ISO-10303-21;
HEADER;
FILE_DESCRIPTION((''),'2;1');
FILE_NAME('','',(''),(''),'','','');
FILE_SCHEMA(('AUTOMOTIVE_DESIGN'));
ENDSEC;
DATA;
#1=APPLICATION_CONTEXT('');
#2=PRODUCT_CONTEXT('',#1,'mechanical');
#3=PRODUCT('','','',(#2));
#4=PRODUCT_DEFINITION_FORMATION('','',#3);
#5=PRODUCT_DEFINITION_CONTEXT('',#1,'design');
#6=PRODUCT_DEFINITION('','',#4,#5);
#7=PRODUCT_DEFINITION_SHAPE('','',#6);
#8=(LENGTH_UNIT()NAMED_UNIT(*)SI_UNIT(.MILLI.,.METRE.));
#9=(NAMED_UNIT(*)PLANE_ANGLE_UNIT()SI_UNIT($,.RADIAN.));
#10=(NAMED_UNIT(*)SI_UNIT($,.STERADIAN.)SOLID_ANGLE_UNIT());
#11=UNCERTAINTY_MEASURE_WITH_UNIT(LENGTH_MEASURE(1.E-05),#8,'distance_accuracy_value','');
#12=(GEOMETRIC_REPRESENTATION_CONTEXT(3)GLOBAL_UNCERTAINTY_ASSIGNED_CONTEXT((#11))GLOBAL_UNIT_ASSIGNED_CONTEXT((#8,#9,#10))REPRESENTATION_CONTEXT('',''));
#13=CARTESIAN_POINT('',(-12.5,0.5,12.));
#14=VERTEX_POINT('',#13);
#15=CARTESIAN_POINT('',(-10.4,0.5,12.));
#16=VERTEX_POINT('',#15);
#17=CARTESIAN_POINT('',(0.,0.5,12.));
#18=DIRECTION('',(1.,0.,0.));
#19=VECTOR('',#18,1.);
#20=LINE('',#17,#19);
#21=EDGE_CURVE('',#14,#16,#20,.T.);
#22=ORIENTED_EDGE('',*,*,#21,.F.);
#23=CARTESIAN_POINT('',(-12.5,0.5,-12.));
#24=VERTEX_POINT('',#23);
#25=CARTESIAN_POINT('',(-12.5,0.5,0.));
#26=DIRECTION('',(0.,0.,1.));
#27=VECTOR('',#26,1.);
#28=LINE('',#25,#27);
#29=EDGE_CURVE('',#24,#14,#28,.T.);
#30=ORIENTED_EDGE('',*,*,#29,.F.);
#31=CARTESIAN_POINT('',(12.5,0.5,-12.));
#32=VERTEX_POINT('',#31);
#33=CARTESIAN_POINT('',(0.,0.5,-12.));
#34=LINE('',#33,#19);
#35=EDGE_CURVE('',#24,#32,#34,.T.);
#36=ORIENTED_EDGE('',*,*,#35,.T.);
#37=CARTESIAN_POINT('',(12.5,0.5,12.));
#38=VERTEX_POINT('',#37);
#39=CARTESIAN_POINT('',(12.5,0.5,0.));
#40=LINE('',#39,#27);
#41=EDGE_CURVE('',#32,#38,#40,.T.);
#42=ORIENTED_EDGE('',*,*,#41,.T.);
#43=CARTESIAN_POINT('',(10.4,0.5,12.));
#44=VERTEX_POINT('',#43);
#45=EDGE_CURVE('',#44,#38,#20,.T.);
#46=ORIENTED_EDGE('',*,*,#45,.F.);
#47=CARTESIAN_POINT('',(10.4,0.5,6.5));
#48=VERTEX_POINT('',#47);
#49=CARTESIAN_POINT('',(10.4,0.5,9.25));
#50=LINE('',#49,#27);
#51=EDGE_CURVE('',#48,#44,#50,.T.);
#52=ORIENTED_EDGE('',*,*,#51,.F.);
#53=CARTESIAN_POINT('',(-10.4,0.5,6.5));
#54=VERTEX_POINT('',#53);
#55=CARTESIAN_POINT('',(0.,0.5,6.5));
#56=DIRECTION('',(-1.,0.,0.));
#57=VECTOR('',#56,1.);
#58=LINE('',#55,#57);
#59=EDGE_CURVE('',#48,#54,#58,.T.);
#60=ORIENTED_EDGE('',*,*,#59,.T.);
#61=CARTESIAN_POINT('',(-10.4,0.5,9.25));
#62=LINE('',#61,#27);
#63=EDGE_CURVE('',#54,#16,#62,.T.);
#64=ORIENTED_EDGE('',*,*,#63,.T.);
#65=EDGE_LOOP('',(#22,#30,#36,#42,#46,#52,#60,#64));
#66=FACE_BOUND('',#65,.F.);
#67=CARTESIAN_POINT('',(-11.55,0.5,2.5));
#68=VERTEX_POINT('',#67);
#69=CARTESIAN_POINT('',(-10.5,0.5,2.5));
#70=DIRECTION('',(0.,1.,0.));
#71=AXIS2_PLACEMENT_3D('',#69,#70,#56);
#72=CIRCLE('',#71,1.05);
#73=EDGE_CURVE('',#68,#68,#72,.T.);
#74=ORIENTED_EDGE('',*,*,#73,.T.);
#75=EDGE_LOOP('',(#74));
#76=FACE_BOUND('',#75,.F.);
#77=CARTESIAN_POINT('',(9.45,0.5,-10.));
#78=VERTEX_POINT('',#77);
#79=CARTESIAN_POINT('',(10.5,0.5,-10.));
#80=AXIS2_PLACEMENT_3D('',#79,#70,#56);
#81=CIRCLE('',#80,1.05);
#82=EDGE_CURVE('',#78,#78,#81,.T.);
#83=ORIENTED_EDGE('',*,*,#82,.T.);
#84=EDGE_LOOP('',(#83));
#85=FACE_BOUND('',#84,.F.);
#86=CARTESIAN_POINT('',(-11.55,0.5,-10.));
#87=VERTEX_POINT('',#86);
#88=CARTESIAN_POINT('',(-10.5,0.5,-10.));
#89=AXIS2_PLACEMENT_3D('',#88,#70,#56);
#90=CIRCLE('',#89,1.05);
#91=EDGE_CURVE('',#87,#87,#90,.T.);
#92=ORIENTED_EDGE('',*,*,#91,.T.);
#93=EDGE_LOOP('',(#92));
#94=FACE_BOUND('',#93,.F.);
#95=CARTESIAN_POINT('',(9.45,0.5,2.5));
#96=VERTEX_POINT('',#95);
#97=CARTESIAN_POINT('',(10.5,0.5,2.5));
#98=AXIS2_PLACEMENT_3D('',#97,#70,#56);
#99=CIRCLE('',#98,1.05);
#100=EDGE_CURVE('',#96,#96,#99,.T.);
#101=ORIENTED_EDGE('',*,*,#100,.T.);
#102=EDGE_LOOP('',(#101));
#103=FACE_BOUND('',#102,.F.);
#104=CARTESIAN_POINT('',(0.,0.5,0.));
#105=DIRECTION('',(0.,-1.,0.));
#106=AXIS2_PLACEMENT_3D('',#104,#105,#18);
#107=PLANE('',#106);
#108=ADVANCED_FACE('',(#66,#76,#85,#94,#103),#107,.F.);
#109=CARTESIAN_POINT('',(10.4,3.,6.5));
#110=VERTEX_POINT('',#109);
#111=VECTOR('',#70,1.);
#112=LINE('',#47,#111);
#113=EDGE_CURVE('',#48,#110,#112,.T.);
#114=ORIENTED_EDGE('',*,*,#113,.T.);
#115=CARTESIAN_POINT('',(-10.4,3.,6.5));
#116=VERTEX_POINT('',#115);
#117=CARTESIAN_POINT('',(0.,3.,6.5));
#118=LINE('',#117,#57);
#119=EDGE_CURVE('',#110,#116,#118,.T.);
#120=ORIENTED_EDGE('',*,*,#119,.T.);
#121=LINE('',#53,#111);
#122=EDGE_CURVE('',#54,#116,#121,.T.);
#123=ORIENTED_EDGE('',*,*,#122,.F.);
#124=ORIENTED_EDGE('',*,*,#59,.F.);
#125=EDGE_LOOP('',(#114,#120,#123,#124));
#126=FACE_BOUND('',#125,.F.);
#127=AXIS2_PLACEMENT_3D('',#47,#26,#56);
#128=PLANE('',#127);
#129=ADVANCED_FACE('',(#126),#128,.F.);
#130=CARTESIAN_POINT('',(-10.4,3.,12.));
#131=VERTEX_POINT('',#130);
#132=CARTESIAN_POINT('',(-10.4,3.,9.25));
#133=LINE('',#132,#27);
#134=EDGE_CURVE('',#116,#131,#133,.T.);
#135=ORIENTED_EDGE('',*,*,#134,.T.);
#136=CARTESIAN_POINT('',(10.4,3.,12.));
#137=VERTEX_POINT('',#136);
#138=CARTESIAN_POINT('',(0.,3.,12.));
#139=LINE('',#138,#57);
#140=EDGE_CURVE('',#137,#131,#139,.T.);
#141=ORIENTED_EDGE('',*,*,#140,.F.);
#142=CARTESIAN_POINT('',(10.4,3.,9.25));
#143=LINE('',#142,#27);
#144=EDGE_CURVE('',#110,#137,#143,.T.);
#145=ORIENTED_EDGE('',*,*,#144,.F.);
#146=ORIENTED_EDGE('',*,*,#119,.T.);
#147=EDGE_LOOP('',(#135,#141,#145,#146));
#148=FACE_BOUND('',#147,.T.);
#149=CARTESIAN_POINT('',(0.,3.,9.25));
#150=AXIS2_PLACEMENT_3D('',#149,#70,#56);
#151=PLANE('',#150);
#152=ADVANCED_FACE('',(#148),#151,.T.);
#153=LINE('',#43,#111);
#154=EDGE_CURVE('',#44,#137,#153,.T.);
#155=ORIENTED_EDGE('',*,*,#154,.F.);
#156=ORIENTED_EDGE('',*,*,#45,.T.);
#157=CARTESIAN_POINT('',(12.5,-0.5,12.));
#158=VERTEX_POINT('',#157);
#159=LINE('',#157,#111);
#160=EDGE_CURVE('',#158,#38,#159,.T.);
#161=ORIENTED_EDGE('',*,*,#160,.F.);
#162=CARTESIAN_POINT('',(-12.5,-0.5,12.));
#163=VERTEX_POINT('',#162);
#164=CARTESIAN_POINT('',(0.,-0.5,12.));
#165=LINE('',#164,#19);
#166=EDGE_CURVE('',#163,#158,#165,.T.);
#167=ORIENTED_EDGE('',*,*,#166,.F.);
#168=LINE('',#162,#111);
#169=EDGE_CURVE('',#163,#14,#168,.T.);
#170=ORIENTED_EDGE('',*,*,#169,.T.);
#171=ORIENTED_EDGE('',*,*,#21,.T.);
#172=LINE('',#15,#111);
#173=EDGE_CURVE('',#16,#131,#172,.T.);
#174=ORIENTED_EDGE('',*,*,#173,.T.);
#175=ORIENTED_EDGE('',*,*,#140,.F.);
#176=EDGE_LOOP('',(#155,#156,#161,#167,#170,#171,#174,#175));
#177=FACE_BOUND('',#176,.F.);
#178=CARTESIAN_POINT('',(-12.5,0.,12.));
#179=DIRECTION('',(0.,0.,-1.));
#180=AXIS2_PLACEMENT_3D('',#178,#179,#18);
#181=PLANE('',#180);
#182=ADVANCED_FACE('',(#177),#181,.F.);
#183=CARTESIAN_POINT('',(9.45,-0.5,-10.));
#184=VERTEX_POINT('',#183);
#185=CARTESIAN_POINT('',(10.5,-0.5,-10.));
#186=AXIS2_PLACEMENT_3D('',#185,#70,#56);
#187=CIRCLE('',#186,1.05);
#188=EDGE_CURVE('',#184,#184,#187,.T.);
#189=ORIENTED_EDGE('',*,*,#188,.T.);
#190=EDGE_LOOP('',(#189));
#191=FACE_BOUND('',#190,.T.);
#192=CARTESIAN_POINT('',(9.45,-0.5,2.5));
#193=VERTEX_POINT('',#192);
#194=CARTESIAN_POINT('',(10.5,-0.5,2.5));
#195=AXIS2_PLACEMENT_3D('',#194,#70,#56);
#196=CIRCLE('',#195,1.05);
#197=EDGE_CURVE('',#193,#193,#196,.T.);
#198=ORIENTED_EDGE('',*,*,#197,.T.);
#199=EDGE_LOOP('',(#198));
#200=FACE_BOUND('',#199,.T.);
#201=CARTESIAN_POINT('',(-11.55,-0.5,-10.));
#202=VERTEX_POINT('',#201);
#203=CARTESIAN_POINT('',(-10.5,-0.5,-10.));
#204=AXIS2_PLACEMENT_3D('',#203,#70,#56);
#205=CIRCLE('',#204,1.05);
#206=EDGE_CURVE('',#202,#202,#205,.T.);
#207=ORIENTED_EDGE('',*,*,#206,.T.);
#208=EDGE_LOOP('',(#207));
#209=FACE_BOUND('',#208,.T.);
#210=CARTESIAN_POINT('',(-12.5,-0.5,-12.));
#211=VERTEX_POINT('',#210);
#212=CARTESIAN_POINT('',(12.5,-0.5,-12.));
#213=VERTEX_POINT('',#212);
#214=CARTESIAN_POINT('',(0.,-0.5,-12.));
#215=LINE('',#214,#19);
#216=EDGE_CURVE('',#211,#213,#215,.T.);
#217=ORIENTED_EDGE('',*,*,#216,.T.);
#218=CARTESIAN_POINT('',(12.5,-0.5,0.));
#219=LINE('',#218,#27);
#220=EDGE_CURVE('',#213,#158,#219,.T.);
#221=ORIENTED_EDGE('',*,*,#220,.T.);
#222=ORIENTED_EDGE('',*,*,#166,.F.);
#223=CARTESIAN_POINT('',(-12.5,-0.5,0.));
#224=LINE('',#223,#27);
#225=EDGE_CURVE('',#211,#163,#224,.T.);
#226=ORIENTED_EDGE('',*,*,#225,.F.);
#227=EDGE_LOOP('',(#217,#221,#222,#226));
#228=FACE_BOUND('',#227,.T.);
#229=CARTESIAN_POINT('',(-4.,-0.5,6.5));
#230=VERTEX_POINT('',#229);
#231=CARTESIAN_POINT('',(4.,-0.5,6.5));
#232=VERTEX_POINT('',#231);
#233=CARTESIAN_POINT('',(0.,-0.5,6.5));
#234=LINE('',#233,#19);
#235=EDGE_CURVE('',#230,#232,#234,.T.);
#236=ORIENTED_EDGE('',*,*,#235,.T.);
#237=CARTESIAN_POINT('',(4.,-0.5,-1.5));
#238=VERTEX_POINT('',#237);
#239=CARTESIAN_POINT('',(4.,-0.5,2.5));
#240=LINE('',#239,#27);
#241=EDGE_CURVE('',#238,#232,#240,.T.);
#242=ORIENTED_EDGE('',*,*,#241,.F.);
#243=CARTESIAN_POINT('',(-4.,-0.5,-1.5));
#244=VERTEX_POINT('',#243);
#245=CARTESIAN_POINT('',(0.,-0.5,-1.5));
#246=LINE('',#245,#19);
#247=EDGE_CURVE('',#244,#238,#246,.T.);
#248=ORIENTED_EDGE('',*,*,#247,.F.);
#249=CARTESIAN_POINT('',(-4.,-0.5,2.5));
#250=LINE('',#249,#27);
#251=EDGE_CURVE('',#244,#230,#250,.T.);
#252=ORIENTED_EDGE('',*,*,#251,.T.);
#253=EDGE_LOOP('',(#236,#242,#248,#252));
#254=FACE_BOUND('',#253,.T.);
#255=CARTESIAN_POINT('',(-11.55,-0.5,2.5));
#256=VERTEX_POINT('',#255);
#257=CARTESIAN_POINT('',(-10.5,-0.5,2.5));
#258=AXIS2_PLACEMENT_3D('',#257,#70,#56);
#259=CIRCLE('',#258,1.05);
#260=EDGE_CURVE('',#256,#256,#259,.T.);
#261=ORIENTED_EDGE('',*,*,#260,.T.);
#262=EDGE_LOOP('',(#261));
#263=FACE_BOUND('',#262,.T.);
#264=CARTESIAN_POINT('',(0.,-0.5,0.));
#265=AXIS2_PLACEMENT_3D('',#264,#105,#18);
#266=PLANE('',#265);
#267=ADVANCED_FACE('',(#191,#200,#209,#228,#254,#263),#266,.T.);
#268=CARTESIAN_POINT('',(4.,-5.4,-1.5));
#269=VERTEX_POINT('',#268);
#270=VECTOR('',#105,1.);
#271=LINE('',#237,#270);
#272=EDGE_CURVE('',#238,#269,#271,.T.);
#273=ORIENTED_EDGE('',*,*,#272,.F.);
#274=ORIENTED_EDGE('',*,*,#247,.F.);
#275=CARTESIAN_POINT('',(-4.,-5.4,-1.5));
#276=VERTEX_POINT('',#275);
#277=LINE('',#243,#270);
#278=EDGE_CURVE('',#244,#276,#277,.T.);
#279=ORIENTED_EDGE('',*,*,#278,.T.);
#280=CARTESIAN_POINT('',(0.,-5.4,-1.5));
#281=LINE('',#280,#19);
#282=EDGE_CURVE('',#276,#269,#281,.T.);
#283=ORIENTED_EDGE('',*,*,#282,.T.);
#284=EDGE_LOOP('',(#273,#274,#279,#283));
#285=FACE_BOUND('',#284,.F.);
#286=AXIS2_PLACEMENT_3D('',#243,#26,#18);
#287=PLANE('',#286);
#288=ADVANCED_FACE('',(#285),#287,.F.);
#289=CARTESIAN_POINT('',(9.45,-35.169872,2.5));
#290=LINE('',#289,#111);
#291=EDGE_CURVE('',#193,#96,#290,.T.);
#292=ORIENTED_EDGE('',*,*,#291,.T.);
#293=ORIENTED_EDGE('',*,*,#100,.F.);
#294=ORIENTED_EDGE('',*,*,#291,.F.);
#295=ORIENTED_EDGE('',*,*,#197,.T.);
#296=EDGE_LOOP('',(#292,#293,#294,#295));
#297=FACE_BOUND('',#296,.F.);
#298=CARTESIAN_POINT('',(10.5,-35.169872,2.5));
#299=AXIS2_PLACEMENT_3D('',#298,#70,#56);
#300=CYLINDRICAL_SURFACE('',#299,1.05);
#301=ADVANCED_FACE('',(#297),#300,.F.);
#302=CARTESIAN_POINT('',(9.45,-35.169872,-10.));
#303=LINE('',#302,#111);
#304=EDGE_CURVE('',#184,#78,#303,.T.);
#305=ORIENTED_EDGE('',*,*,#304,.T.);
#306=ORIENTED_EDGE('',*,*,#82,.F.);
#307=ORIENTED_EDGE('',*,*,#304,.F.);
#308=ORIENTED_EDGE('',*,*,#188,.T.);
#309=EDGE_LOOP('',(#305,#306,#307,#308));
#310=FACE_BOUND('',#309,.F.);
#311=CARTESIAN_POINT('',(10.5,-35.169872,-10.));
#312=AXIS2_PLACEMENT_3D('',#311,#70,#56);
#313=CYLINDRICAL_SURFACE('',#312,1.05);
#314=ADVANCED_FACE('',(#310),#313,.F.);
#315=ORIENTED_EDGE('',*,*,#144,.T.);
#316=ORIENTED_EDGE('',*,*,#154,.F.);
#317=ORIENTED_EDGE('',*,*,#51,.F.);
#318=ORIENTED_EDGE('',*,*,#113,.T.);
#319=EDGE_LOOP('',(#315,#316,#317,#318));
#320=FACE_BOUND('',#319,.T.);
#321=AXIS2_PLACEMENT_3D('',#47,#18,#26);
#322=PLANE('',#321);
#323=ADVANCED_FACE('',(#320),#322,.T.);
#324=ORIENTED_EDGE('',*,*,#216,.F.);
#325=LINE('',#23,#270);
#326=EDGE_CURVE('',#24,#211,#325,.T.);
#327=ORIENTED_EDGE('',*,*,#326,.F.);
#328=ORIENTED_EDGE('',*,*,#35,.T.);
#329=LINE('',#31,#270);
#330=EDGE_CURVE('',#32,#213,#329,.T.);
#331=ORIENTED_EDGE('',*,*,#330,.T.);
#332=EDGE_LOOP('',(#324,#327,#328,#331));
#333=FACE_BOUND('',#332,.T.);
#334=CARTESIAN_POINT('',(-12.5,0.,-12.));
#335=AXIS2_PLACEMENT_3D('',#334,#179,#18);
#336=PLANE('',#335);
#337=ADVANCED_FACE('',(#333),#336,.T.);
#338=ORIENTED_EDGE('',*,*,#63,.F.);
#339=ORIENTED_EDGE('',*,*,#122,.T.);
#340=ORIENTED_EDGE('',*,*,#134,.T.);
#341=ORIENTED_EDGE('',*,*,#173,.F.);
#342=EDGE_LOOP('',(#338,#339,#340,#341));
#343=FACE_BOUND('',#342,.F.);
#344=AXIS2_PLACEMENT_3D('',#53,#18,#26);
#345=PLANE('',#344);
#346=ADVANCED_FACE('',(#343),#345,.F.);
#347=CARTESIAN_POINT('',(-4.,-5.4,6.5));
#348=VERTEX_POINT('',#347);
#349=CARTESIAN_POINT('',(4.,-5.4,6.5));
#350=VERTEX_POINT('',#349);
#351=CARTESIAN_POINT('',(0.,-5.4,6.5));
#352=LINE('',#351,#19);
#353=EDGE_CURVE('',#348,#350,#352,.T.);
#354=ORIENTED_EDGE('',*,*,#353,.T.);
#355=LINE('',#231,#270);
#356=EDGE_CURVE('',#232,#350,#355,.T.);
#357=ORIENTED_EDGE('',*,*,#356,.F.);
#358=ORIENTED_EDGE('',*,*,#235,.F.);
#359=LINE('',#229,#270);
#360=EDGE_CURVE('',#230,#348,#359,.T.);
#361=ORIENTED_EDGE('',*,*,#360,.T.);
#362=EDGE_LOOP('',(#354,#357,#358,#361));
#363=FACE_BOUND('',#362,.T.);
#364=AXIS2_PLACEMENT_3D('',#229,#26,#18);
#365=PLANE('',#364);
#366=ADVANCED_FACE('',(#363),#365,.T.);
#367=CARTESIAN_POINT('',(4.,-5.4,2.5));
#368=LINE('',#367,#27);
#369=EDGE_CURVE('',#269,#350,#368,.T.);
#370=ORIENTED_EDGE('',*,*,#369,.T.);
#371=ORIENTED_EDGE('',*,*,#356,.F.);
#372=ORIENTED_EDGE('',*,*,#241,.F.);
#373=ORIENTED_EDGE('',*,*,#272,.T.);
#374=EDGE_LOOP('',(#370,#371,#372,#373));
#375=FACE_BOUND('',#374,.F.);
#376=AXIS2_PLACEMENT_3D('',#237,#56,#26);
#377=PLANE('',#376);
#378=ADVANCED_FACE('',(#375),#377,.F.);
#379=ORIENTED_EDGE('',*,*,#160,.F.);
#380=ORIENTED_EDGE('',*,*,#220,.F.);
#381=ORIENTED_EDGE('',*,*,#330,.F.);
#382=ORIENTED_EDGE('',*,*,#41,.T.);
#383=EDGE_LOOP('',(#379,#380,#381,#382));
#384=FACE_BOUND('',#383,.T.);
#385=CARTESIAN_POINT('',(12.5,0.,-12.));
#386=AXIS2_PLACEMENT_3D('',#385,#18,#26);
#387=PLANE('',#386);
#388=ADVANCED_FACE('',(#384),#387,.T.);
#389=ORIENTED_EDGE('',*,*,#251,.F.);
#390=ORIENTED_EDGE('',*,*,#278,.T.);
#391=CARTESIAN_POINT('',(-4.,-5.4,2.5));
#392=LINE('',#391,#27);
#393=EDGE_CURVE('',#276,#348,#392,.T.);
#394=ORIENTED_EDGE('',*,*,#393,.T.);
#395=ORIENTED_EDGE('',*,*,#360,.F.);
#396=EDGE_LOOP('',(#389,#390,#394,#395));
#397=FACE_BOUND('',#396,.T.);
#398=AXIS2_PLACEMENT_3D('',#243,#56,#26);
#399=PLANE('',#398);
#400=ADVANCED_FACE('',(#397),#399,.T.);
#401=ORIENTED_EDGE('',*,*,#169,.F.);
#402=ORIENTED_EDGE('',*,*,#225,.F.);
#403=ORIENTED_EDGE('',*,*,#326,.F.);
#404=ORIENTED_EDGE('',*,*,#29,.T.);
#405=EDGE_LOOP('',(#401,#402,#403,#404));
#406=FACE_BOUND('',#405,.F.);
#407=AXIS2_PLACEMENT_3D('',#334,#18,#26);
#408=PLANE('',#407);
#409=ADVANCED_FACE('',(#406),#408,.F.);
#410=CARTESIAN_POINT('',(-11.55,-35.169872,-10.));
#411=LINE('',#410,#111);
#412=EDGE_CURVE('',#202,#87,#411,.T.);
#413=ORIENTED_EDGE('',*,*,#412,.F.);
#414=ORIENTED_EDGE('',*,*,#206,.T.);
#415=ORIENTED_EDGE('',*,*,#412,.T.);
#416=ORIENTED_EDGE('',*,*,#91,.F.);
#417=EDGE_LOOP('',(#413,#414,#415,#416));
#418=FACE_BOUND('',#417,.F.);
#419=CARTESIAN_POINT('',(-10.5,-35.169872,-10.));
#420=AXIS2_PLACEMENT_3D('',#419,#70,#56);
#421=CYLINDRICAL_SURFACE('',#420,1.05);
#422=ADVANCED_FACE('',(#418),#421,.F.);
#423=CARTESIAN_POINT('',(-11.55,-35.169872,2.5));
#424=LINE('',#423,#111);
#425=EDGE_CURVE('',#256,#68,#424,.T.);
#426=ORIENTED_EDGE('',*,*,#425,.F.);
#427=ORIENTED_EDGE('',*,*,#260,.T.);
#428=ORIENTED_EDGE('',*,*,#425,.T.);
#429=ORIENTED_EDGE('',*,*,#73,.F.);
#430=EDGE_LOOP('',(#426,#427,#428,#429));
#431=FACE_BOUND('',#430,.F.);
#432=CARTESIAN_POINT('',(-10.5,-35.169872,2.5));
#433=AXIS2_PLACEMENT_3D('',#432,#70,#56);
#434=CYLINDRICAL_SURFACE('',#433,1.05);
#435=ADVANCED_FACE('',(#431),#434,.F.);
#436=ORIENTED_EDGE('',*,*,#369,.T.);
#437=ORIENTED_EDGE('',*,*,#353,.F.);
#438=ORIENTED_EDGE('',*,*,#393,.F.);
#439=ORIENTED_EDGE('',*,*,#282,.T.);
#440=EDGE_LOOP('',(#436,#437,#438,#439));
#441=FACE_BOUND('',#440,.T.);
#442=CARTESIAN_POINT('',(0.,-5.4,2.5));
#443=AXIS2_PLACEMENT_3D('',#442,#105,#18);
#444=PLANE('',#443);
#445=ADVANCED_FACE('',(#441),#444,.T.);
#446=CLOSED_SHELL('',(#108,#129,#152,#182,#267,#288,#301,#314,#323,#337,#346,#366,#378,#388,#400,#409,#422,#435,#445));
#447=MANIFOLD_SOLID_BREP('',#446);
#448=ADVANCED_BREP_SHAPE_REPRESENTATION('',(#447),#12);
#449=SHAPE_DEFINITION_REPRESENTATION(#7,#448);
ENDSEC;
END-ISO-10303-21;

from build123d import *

# Parameters (mm, degrees)
F0_W     = 25
F0_H     = 24
F1_DEPTH = 0.5
F3_D     = 2.1
F4_W     = 20.8
F4_H     = 5.5
F5_DEPTH = 2.5
F6_W     = 8
F6_H     = 8
F7_DEPTH = 4.9


with BuildPart() as f1:
    # F0 (on Front) → F1 (new body, symmetric)
    with BuildSketch(Plane.XZ):
        Rectangle(F0_W, F0_H)
    extrude(amount=F1_DEPTH, both=True)

    # F3 (through all)
    with Locations(Plane.XZ.offset(0.5)):
        with Locations((-10.5, 2.5), (-10.5, -10), (10.5, 2.5), (10.5, -10)):
            Hole(F3_D / 2)

    # F4 (on face) → F5 (join)
    with BuildSketch(Plane(origin=(0, 0.5, 0), x_dir=(-1, 0, 0), z_dir=(0, 1, 0))):
        with Locations((0, 9.25)):
            Rectangle(F4_W, F4_H)
    extrude(amount=F5_DEPTH)

    # F6 (on face) → F7 (join)
    with BuildSketch(Plane.XZ.offset(0.5)):
        with Locations((0, 2.5)):
            Rectangle(F6_W, F6_H)
    extrude(amount=F7_DEPTH)


solid = f1.part
